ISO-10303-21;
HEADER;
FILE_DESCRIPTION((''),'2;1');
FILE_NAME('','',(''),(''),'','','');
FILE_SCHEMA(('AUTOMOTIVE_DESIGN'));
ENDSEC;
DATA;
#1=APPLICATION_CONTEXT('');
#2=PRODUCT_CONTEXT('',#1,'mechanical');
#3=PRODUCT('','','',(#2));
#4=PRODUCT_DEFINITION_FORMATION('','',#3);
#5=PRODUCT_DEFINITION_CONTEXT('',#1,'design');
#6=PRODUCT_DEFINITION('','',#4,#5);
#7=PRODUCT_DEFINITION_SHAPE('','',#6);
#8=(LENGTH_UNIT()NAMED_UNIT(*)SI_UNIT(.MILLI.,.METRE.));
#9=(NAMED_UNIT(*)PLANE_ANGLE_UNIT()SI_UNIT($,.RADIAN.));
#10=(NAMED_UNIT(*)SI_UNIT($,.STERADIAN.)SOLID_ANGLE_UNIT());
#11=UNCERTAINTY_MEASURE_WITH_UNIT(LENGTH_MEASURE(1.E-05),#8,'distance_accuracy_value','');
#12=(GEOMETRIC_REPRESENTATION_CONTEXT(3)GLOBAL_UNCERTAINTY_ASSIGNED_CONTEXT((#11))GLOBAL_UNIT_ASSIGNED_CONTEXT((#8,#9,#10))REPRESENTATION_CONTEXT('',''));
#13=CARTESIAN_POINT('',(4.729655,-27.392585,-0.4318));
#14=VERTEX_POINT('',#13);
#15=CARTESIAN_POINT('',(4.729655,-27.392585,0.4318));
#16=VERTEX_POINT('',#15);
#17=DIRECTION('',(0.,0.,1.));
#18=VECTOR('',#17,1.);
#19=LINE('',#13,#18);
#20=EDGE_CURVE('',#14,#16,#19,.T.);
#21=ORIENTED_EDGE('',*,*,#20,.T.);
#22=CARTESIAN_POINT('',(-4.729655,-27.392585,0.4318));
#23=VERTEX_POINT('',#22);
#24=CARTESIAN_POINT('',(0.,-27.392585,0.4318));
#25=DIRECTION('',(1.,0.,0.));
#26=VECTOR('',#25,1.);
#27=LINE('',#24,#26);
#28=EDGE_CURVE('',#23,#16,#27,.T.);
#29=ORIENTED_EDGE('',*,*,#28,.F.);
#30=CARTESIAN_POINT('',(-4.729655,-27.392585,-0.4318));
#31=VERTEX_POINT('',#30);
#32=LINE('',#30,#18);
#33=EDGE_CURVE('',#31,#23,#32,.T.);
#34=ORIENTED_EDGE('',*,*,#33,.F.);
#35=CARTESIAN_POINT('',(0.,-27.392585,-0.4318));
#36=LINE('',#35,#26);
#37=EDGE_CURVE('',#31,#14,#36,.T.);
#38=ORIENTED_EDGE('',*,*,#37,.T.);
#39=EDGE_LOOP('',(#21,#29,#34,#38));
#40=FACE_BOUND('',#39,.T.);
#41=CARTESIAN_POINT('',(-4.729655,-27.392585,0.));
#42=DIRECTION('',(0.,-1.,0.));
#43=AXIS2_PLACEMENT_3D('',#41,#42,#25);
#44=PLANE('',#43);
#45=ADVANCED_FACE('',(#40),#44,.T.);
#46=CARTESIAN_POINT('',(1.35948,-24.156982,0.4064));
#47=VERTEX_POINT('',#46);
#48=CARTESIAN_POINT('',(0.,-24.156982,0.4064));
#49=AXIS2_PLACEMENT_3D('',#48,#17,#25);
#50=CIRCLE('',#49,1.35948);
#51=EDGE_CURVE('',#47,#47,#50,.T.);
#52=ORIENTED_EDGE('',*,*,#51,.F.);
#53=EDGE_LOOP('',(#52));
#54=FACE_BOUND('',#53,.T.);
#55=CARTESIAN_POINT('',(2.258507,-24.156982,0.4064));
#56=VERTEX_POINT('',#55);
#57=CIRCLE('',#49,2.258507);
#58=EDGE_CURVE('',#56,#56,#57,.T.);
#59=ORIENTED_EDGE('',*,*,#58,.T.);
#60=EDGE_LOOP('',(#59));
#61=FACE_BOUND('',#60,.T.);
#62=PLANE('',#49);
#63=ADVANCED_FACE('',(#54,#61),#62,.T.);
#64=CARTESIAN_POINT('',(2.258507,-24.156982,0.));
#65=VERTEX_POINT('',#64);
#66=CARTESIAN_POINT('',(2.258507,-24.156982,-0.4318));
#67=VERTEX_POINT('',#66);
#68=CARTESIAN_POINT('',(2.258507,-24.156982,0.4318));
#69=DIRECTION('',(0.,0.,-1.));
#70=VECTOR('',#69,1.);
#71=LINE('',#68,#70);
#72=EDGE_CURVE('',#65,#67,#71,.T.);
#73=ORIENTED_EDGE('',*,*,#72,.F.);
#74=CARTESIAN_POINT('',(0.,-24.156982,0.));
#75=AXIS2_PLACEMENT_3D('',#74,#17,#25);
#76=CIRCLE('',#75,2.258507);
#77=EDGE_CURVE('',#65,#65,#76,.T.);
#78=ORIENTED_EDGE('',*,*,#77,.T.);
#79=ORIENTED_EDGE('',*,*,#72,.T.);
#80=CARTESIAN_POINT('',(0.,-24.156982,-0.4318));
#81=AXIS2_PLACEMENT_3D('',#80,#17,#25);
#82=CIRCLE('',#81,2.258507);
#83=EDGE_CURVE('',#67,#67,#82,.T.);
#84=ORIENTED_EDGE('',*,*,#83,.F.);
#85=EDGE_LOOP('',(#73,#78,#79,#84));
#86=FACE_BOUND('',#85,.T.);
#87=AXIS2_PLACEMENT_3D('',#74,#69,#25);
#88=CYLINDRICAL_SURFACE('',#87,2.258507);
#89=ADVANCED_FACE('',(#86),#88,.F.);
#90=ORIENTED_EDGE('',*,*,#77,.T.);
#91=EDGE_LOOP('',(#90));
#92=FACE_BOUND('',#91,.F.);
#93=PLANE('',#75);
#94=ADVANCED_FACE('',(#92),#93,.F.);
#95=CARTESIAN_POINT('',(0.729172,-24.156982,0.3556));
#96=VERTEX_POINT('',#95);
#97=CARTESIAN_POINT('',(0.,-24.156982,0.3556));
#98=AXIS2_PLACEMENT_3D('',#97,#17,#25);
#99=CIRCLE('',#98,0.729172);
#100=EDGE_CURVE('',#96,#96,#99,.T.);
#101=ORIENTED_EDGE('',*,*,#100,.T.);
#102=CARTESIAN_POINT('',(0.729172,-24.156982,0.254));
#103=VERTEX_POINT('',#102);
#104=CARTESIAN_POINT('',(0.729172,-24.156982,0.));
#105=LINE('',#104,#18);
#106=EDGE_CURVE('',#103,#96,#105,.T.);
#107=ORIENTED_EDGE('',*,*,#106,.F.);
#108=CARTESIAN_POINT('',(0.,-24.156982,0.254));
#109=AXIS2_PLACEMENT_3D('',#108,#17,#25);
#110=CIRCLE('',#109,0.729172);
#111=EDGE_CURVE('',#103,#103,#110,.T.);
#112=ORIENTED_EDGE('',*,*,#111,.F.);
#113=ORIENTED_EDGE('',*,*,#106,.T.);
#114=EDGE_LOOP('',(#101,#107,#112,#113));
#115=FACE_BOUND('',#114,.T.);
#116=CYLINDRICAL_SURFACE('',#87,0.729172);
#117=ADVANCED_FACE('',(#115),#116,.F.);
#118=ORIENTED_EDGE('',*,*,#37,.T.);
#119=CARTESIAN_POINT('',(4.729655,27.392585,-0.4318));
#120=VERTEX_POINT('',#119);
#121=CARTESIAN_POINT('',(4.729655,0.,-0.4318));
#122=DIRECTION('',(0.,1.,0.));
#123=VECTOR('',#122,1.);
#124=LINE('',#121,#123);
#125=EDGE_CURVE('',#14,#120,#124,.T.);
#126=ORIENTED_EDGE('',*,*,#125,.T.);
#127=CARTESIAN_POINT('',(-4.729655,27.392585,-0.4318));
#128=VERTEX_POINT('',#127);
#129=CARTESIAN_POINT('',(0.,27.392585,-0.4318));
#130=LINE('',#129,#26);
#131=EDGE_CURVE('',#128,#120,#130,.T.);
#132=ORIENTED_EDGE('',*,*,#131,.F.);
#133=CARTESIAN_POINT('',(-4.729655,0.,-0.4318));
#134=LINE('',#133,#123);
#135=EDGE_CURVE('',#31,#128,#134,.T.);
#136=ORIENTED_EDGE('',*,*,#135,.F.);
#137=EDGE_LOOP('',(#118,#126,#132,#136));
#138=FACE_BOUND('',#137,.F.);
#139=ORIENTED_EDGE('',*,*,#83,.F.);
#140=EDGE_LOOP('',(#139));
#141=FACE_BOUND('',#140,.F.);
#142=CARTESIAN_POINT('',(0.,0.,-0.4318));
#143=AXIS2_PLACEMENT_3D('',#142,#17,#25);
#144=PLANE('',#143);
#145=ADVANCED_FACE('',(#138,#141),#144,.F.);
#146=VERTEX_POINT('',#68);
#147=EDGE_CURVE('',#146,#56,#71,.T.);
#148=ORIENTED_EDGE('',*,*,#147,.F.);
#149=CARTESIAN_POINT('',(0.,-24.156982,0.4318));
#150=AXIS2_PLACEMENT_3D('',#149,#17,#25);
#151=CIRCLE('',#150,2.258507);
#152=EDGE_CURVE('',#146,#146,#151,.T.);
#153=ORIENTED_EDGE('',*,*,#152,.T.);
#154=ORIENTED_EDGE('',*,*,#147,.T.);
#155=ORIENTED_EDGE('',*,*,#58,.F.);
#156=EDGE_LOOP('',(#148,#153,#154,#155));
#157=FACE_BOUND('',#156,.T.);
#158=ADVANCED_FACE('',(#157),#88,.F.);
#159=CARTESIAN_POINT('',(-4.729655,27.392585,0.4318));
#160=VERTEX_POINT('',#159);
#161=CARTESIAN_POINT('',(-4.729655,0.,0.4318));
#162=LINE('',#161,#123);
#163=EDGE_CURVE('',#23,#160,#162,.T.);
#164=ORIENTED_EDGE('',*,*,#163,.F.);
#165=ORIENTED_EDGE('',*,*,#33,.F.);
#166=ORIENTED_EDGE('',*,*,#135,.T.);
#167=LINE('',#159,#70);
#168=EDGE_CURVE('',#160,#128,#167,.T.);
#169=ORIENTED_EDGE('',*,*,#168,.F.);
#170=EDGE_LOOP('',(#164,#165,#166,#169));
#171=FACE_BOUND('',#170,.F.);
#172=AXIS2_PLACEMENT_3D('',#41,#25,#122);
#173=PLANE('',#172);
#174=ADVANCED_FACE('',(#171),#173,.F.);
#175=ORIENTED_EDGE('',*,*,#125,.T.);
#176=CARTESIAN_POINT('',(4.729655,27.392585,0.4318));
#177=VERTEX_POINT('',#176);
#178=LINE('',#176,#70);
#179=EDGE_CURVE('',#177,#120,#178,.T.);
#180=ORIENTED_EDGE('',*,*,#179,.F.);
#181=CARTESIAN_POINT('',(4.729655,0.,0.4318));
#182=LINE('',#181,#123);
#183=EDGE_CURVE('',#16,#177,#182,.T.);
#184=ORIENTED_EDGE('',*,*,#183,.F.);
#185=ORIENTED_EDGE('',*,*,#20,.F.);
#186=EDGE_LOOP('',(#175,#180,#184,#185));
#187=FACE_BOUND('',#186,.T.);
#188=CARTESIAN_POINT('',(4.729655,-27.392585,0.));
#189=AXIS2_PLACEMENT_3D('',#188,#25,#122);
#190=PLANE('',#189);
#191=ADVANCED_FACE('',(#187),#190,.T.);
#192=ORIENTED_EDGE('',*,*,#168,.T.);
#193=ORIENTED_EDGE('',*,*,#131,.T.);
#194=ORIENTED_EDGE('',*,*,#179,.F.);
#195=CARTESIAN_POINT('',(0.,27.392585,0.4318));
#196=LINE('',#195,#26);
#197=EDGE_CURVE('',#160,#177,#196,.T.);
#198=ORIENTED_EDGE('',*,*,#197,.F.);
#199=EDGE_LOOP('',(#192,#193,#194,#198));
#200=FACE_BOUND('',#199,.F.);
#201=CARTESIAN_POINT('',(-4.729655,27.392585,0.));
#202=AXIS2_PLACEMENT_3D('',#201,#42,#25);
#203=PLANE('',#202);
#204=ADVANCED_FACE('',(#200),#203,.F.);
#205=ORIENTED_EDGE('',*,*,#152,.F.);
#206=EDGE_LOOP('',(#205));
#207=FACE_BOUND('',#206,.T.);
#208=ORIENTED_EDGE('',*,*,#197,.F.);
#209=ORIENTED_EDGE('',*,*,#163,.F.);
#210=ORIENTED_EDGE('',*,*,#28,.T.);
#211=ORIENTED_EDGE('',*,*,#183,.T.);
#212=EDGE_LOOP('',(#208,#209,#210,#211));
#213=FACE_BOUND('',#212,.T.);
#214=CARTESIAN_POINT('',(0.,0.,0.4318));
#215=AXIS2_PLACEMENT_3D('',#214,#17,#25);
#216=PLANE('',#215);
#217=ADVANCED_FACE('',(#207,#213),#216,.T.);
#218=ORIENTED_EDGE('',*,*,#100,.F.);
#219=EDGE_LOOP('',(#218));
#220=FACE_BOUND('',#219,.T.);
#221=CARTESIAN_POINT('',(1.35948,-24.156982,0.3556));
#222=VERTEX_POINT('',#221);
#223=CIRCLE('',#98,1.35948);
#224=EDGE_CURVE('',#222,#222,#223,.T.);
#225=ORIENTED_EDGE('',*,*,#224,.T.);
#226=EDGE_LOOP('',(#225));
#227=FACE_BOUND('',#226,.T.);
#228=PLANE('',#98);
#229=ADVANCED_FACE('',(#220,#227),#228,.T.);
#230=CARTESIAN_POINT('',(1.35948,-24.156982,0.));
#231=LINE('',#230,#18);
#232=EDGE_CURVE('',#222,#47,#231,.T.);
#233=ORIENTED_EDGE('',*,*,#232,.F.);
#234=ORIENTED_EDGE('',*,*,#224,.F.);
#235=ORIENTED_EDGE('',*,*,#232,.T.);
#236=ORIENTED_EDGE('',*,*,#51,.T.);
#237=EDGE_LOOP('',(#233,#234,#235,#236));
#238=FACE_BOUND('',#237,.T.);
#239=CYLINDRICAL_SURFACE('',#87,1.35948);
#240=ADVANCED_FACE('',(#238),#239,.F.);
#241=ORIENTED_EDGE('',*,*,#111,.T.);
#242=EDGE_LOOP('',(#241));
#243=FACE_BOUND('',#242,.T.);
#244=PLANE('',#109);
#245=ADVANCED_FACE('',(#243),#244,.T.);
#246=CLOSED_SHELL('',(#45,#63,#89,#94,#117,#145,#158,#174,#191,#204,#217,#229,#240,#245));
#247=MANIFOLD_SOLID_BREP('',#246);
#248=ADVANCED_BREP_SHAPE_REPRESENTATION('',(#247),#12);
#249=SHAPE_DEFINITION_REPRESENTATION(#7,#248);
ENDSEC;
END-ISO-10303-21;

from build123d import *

# Parameters (mm, degrees)
F0_W     = 9.45931
F0_H     = 54.78517
F0_R     = 2.258507
F1_DEPTH = 0.4318
F0_R_2   = 1.35948
F2_DEPTH = 0.4064
F0_R_3   = 0.729172
F3_DEPTH = 0.3556
F4_DEPTH = 0.254


with BuildPart() as f1:
    # F0 (on Top) → F1 (new body, symmetric)
    with BuildSketch(Plane.XY):
        Rectangle(F0_W, F0_H)
        with Locations((0, -24.156982)):
            Circle(F0_R, mode=Mode.SUBTRACT)
    extrude(amount=F1_DEPTH, both=True)

    # F0 (on Top) → F2 (join)
    with BuildSketch(Plane.XY):
        with Locations((0, -24.156982)):
            Circle(F0_R)
        with Locations((0, -24.156982)):
            Circle(F0_R_2, mode=Mode.SUBTRACT)
    extrude(amount=F2_DEPTH)

    # F0 (on Top) → F3 (join)
    with BuildSketch(Plane.XY):
        with Locations((0, -24.156982)):
            Circle(F0_R_2)
        with Locations((0, -24.156982)):
            Circle(F0_R_3, mode=Mode.SUBTRACT)
    extrude(amount=F3_DEPTH)

    # F0 (on Top) → F4 (join)
    with BuildSketch(Plane.XY):
        with Locations((0, -24.156982)):
            Circle(F0_R_3)
    extrude(amount=F4_DEPTH)


solid = f1.part
